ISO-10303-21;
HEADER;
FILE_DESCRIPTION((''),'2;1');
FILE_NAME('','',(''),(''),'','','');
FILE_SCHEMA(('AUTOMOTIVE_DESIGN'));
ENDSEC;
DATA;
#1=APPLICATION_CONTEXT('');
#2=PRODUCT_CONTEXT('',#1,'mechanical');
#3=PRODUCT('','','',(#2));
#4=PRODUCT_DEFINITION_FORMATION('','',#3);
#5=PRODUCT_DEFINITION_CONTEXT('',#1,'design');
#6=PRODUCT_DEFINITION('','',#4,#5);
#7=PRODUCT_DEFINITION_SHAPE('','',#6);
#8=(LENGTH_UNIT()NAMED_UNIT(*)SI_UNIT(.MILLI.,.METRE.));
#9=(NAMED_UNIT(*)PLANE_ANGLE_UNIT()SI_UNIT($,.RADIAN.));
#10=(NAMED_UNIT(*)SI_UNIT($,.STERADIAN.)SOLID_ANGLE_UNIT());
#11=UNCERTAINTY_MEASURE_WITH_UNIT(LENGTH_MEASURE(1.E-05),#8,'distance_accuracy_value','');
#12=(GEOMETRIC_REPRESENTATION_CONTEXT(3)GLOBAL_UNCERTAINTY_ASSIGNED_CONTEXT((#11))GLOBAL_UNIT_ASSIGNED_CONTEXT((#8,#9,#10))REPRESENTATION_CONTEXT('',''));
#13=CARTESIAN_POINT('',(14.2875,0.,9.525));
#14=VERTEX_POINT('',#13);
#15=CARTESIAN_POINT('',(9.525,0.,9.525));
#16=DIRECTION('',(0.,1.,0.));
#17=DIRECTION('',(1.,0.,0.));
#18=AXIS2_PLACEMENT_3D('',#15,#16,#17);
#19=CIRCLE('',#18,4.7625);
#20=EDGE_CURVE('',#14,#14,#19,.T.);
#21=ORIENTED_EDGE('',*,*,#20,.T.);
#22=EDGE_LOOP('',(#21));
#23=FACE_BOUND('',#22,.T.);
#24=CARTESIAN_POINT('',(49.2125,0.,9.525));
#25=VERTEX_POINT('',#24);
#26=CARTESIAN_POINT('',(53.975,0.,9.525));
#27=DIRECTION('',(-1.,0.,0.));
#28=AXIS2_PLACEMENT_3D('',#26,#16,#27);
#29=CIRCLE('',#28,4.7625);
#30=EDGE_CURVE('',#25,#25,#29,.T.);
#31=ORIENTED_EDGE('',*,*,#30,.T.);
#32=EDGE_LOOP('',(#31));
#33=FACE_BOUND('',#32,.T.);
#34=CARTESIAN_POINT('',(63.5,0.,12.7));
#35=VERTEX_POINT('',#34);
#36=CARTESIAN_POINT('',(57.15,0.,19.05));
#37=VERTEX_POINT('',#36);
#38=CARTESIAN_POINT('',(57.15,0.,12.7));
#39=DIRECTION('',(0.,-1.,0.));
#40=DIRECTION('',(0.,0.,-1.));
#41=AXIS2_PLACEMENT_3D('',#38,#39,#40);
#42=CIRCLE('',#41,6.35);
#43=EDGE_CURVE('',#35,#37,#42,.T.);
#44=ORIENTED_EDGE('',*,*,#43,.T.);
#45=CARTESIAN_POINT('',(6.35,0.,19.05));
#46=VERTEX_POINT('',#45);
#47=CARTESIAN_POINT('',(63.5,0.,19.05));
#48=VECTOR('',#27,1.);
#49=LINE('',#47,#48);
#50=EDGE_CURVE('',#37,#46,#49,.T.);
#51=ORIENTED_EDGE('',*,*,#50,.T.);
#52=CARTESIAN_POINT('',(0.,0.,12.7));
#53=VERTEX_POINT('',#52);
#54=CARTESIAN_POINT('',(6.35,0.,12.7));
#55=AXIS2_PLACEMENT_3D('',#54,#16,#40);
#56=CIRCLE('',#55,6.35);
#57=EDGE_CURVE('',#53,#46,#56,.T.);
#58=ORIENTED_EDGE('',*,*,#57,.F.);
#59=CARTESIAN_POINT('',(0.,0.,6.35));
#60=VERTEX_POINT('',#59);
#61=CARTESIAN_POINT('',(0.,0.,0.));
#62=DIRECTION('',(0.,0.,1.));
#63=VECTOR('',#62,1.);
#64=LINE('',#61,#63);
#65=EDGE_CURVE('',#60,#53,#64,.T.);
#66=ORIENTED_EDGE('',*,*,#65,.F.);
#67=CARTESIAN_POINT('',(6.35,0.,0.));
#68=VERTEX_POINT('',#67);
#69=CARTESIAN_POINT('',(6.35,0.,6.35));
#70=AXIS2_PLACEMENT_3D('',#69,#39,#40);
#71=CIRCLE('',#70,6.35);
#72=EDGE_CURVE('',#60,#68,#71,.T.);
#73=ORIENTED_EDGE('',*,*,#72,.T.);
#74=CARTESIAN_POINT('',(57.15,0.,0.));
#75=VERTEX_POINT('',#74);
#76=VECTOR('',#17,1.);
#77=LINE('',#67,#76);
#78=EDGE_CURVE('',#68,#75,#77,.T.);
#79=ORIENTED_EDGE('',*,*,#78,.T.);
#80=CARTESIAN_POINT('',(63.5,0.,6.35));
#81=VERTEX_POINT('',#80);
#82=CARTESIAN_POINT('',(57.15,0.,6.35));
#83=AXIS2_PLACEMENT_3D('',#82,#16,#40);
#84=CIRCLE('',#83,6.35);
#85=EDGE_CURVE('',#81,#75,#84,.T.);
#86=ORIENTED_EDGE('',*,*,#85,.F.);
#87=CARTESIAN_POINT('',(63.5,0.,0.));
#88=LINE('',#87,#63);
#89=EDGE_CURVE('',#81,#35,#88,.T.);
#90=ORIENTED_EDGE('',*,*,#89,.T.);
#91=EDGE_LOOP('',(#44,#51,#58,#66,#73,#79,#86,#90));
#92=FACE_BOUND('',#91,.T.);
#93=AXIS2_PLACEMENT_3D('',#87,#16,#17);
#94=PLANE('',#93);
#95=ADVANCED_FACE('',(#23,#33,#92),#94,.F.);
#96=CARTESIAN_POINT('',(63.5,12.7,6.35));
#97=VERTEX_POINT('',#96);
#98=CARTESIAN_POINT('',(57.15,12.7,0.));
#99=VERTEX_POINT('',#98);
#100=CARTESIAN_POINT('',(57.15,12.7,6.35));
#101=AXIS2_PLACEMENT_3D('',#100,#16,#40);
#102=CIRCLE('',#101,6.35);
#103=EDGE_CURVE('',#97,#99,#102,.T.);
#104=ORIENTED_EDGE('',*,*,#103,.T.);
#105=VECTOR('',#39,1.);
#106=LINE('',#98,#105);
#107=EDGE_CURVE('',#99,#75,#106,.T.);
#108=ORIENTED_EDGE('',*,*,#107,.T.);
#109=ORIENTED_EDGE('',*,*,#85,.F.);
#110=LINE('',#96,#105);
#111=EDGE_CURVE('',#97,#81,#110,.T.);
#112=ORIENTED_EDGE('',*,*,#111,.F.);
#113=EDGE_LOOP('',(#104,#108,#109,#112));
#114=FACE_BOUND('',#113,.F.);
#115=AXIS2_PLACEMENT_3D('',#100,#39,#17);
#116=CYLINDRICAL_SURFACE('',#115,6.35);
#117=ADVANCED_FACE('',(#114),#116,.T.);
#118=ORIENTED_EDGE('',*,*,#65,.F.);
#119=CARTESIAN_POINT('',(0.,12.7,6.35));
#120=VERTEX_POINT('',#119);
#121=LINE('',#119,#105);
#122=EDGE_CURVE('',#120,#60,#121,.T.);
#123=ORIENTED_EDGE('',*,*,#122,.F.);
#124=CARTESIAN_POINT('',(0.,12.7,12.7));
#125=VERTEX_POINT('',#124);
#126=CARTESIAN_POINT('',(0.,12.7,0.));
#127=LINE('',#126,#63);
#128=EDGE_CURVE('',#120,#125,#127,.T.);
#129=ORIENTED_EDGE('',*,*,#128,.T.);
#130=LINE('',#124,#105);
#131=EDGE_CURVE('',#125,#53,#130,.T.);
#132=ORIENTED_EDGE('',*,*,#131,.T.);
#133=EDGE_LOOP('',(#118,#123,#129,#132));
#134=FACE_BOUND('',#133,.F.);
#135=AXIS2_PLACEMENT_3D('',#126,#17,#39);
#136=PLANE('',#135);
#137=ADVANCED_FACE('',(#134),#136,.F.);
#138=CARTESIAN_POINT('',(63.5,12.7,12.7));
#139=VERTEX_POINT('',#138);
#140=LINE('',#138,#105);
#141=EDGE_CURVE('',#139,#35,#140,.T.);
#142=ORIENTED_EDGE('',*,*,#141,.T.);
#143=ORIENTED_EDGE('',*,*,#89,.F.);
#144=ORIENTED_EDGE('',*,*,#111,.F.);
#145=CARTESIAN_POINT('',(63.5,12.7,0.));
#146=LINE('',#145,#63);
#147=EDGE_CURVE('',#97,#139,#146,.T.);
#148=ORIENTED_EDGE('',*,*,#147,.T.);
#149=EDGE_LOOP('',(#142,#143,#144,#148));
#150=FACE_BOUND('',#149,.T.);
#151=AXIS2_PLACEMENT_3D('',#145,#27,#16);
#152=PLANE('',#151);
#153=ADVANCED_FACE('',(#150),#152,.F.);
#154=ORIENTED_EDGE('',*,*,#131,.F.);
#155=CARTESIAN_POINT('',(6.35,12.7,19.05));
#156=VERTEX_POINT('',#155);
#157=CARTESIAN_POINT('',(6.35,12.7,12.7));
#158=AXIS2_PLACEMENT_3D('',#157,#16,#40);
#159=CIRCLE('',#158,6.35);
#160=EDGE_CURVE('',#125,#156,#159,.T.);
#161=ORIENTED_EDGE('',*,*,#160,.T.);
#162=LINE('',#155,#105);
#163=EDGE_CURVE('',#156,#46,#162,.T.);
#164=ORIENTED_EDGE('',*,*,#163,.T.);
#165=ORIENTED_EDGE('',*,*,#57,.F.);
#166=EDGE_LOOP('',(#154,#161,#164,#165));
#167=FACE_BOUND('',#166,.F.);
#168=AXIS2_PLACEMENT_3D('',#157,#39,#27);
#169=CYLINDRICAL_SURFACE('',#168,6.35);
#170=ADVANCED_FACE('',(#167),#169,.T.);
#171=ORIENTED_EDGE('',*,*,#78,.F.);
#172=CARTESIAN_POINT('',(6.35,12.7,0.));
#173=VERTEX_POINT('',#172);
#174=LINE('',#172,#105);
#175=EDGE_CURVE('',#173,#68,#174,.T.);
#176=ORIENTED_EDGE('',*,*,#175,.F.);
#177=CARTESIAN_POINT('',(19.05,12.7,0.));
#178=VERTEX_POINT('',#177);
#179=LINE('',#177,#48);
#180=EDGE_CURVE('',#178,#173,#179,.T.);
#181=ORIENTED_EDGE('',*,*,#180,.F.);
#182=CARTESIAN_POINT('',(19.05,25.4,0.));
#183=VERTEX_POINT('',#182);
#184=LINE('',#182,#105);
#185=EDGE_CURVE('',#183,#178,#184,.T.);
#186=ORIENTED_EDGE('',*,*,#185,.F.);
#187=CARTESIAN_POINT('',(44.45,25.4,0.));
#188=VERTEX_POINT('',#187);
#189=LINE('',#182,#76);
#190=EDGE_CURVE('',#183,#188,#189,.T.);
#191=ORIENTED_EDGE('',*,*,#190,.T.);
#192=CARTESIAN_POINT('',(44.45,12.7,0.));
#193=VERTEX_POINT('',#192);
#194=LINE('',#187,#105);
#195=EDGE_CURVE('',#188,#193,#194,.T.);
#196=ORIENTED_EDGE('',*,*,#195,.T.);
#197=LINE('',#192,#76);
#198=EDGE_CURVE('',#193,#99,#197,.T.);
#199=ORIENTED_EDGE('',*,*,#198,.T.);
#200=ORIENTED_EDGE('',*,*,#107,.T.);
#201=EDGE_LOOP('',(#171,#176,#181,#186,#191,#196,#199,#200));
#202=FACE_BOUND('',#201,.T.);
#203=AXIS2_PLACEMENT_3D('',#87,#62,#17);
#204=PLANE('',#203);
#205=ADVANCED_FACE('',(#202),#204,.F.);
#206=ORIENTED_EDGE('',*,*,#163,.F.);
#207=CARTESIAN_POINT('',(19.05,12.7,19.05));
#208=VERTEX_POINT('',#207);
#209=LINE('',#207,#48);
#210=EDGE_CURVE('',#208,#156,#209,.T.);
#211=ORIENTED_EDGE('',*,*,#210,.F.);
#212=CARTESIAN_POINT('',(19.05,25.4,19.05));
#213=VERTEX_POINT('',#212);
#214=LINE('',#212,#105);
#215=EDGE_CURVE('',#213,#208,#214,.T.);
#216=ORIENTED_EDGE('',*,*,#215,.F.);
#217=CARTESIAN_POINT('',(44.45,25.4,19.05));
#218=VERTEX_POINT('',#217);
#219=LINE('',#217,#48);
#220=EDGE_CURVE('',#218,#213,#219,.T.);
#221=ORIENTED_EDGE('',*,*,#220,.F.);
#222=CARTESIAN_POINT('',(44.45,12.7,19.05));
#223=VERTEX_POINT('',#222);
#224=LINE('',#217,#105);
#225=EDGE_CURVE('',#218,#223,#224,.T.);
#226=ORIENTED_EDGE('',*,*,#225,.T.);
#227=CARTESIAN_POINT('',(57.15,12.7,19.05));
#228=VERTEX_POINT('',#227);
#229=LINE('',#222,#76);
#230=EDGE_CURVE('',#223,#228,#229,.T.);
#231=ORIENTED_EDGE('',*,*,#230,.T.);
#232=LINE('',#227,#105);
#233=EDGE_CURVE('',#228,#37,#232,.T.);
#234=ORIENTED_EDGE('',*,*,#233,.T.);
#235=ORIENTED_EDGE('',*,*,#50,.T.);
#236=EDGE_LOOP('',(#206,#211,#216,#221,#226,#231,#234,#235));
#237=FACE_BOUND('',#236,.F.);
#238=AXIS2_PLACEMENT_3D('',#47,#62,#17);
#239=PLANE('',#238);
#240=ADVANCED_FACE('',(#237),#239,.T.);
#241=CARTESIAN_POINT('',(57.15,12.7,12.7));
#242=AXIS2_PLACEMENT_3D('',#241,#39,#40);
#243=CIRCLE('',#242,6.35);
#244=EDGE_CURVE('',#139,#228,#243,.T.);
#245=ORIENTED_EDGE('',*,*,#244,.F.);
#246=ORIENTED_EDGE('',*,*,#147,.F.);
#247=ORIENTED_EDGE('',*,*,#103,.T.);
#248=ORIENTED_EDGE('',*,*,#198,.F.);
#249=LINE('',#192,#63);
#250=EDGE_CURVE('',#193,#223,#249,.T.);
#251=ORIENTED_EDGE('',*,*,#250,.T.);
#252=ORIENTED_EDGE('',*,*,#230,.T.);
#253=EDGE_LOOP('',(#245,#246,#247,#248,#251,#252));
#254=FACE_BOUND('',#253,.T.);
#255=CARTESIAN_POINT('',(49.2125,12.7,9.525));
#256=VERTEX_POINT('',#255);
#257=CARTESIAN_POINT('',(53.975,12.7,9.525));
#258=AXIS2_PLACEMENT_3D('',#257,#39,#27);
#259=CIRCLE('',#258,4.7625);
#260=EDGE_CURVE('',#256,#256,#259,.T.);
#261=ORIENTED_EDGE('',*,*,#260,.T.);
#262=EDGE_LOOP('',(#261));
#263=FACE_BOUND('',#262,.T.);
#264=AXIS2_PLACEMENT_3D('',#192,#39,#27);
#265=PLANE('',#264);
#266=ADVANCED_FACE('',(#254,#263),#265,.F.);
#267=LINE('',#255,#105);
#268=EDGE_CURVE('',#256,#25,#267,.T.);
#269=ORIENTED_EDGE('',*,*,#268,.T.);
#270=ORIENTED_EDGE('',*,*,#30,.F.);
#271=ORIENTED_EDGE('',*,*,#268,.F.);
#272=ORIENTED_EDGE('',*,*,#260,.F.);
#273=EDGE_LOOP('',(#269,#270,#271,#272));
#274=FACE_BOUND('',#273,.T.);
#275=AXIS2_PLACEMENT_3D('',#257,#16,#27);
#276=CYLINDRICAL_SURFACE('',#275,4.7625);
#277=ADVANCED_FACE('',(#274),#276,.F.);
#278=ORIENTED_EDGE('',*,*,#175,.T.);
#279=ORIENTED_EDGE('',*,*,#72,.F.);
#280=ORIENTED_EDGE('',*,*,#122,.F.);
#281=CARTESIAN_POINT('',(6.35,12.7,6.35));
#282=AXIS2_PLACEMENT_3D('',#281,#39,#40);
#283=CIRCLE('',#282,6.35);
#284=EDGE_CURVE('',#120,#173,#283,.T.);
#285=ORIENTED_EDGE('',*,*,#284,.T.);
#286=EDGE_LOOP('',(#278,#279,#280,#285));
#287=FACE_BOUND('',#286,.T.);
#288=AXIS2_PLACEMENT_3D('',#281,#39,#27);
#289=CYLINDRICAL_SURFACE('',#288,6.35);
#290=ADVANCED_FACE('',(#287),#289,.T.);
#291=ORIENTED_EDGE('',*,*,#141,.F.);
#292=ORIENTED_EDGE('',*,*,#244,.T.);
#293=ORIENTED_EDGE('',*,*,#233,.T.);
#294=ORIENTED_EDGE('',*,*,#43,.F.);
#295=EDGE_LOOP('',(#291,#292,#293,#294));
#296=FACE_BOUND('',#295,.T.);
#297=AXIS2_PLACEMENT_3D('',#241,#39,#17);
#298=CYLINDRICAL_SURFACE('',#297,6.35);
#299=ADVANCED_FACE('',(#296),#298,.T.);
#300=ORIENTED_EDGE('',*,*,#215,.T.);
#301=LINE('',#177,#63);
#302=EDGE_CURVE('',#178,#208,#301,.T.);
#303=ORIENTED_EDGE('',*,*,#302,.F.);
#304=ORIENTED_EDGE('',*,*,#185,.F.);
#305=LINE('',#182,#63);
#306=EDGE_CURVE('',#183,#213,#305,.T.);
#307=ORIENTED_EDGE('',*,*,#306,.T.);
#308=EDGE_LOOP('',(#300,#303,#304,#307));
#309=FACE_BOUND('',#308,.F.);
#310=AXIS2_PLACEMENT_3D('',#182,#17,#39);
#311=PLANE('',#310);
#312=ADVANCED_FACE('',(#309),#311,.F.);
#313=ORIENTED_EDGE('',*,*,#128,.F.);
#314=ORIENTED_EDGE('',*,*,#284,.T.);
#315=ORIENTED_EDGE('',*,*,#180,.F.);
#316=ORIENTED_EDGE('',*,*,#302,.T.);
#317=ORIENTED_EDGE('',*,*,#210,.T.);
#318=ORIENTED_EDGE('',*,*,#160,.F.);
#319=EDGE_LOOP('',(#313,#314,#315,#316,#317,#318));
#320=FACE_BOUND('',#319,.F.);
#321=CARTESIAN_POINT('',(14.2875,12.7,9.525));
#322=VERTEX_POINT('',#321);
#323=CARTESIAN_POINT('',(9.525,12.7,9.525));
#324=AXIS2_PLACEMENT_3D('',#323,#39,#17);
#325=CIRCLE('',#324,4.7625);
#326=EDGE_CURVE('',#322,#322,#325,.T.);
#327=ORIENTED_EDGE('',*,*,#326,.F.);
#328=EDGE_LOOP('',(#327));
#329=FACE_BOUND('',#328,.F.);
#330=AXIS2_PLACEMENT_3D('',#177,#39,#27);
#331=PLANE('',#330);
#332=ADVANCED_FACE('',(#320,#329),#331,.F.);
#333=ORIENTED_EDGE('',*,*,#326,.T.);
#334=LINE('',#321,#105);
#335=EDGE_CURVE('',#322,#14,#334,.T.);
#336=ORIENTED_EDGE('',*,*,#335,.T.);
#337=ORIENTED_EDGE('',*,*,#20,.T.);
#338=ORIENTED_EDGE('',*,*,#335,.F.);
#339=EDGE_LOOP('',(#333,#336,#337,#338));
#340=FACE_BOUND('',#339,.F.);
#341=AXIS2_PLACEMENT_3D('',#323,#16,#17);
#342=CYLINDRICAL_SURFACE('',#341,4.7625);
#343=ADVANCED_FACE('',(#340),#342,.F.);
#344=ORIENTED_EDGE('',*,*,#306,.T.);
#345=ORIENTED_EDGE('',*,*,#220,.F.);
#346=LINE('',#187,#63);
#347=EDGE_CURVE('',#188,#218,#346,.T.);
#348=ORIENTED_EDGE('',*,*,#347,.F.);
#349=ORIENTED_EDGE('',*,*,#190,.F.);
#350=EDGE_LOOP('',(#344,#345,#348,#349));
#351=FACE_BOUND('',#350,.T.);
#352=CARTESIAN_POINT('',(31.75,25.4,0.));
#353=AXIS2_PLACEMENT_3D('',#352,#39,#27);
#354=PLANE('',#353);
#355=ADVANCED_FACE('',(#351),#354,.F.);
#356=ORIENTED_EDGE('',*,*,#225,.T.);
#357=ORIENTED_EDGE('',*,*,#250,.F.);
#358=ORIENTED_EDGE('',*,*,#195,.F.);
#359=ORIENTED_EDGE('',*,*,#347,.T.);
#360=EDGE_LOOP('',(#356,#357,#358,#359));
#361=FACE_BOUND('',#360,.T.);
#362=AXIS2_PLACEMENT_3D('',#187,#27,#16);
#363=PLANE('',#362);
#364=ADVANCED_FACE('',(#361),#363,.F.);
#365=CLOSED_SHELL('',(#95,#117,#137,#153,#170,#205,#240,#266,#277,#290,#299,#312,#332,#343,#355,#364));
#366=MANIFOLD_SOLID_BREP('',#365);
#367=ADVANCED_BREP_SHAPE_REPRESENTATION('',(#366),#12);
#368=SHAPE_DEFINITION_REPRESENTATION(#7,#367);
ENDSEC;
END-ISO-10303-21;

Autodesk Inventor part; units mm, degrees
ref_plane "YZ Plane" through (0, 0, 0) normal (1, 0, 0) x (0, 1, 0)
ref_plane "XZ Plane" through (0, 0, 0) normal (0, 1, 0) x (-1, 0, 0)
ref_plane "XY Plane" through (0, 0, 0) normal (0, 0, 1) x (1, 0, 0)
sketch "Sketch1" plane through (0, 0, 0) normal (0, 0, 1) x (1, 0, 0)
  line L0 (0, 0) -> (19.05, 0)
  line L1 (19.05, 12.7) -> (0, 12.7)
  line L2 (0, 12.7) -> (0, 0)
  line L3 (19.05, 0) -> (31.75, 0)
  line L4 (31.75, 0) -> (31.75, 25.4)
  line L5 (31.75, 25.4) -> (19.05, 25.4)
  line L6 (19.05, 25.4) -> (19.05, 12.7)
  dimension "d0" = 19.05
  dimension "d2" = 12.7
  dimension "d3" = 25.4
  dimension "d4" = 12.7
extrude "Extrusion1" add sketch "Sketch1" along normal blind 19.05
fillet "Fillet1" radius 6.35 2 edges at (0, 6.35, 19.05) (0, 6.35, 0)
sketch "Sketch2" plane through (19.05, 12.7, 19.05) normal (0, 1, 0) x (1, 0, 0)
  line L0 (0, 19.05) -> (-12.7, 19.05) projected
  line L1 (0, 19.05) -> (0, 0) projected
  circle A0 centre (-9.525, 9.525) radius 4.7625
  line L2 (0, 19.05) -> (-6.1574, 12.8926)
  line L3 (-12.8926, 6.1574) -> (-19.05, 0)
  line L4 (0, 0) -> (-6.1574, 6.1574)
  line L5 (-12.8926, 12.8926) -> (-19.05, 19.05)
  dimension "d8" = 9.525
extrude "Extrusion2" cut sketch "Sketch2" against normal through all contours A0
mirror "Mirror1" about plane through (31.75, 0, 0) normal (1, 0, 0) of "Extrusion1", "Extrusion2", "Fillet1"
properties part number "Mirror Feature Practice"
